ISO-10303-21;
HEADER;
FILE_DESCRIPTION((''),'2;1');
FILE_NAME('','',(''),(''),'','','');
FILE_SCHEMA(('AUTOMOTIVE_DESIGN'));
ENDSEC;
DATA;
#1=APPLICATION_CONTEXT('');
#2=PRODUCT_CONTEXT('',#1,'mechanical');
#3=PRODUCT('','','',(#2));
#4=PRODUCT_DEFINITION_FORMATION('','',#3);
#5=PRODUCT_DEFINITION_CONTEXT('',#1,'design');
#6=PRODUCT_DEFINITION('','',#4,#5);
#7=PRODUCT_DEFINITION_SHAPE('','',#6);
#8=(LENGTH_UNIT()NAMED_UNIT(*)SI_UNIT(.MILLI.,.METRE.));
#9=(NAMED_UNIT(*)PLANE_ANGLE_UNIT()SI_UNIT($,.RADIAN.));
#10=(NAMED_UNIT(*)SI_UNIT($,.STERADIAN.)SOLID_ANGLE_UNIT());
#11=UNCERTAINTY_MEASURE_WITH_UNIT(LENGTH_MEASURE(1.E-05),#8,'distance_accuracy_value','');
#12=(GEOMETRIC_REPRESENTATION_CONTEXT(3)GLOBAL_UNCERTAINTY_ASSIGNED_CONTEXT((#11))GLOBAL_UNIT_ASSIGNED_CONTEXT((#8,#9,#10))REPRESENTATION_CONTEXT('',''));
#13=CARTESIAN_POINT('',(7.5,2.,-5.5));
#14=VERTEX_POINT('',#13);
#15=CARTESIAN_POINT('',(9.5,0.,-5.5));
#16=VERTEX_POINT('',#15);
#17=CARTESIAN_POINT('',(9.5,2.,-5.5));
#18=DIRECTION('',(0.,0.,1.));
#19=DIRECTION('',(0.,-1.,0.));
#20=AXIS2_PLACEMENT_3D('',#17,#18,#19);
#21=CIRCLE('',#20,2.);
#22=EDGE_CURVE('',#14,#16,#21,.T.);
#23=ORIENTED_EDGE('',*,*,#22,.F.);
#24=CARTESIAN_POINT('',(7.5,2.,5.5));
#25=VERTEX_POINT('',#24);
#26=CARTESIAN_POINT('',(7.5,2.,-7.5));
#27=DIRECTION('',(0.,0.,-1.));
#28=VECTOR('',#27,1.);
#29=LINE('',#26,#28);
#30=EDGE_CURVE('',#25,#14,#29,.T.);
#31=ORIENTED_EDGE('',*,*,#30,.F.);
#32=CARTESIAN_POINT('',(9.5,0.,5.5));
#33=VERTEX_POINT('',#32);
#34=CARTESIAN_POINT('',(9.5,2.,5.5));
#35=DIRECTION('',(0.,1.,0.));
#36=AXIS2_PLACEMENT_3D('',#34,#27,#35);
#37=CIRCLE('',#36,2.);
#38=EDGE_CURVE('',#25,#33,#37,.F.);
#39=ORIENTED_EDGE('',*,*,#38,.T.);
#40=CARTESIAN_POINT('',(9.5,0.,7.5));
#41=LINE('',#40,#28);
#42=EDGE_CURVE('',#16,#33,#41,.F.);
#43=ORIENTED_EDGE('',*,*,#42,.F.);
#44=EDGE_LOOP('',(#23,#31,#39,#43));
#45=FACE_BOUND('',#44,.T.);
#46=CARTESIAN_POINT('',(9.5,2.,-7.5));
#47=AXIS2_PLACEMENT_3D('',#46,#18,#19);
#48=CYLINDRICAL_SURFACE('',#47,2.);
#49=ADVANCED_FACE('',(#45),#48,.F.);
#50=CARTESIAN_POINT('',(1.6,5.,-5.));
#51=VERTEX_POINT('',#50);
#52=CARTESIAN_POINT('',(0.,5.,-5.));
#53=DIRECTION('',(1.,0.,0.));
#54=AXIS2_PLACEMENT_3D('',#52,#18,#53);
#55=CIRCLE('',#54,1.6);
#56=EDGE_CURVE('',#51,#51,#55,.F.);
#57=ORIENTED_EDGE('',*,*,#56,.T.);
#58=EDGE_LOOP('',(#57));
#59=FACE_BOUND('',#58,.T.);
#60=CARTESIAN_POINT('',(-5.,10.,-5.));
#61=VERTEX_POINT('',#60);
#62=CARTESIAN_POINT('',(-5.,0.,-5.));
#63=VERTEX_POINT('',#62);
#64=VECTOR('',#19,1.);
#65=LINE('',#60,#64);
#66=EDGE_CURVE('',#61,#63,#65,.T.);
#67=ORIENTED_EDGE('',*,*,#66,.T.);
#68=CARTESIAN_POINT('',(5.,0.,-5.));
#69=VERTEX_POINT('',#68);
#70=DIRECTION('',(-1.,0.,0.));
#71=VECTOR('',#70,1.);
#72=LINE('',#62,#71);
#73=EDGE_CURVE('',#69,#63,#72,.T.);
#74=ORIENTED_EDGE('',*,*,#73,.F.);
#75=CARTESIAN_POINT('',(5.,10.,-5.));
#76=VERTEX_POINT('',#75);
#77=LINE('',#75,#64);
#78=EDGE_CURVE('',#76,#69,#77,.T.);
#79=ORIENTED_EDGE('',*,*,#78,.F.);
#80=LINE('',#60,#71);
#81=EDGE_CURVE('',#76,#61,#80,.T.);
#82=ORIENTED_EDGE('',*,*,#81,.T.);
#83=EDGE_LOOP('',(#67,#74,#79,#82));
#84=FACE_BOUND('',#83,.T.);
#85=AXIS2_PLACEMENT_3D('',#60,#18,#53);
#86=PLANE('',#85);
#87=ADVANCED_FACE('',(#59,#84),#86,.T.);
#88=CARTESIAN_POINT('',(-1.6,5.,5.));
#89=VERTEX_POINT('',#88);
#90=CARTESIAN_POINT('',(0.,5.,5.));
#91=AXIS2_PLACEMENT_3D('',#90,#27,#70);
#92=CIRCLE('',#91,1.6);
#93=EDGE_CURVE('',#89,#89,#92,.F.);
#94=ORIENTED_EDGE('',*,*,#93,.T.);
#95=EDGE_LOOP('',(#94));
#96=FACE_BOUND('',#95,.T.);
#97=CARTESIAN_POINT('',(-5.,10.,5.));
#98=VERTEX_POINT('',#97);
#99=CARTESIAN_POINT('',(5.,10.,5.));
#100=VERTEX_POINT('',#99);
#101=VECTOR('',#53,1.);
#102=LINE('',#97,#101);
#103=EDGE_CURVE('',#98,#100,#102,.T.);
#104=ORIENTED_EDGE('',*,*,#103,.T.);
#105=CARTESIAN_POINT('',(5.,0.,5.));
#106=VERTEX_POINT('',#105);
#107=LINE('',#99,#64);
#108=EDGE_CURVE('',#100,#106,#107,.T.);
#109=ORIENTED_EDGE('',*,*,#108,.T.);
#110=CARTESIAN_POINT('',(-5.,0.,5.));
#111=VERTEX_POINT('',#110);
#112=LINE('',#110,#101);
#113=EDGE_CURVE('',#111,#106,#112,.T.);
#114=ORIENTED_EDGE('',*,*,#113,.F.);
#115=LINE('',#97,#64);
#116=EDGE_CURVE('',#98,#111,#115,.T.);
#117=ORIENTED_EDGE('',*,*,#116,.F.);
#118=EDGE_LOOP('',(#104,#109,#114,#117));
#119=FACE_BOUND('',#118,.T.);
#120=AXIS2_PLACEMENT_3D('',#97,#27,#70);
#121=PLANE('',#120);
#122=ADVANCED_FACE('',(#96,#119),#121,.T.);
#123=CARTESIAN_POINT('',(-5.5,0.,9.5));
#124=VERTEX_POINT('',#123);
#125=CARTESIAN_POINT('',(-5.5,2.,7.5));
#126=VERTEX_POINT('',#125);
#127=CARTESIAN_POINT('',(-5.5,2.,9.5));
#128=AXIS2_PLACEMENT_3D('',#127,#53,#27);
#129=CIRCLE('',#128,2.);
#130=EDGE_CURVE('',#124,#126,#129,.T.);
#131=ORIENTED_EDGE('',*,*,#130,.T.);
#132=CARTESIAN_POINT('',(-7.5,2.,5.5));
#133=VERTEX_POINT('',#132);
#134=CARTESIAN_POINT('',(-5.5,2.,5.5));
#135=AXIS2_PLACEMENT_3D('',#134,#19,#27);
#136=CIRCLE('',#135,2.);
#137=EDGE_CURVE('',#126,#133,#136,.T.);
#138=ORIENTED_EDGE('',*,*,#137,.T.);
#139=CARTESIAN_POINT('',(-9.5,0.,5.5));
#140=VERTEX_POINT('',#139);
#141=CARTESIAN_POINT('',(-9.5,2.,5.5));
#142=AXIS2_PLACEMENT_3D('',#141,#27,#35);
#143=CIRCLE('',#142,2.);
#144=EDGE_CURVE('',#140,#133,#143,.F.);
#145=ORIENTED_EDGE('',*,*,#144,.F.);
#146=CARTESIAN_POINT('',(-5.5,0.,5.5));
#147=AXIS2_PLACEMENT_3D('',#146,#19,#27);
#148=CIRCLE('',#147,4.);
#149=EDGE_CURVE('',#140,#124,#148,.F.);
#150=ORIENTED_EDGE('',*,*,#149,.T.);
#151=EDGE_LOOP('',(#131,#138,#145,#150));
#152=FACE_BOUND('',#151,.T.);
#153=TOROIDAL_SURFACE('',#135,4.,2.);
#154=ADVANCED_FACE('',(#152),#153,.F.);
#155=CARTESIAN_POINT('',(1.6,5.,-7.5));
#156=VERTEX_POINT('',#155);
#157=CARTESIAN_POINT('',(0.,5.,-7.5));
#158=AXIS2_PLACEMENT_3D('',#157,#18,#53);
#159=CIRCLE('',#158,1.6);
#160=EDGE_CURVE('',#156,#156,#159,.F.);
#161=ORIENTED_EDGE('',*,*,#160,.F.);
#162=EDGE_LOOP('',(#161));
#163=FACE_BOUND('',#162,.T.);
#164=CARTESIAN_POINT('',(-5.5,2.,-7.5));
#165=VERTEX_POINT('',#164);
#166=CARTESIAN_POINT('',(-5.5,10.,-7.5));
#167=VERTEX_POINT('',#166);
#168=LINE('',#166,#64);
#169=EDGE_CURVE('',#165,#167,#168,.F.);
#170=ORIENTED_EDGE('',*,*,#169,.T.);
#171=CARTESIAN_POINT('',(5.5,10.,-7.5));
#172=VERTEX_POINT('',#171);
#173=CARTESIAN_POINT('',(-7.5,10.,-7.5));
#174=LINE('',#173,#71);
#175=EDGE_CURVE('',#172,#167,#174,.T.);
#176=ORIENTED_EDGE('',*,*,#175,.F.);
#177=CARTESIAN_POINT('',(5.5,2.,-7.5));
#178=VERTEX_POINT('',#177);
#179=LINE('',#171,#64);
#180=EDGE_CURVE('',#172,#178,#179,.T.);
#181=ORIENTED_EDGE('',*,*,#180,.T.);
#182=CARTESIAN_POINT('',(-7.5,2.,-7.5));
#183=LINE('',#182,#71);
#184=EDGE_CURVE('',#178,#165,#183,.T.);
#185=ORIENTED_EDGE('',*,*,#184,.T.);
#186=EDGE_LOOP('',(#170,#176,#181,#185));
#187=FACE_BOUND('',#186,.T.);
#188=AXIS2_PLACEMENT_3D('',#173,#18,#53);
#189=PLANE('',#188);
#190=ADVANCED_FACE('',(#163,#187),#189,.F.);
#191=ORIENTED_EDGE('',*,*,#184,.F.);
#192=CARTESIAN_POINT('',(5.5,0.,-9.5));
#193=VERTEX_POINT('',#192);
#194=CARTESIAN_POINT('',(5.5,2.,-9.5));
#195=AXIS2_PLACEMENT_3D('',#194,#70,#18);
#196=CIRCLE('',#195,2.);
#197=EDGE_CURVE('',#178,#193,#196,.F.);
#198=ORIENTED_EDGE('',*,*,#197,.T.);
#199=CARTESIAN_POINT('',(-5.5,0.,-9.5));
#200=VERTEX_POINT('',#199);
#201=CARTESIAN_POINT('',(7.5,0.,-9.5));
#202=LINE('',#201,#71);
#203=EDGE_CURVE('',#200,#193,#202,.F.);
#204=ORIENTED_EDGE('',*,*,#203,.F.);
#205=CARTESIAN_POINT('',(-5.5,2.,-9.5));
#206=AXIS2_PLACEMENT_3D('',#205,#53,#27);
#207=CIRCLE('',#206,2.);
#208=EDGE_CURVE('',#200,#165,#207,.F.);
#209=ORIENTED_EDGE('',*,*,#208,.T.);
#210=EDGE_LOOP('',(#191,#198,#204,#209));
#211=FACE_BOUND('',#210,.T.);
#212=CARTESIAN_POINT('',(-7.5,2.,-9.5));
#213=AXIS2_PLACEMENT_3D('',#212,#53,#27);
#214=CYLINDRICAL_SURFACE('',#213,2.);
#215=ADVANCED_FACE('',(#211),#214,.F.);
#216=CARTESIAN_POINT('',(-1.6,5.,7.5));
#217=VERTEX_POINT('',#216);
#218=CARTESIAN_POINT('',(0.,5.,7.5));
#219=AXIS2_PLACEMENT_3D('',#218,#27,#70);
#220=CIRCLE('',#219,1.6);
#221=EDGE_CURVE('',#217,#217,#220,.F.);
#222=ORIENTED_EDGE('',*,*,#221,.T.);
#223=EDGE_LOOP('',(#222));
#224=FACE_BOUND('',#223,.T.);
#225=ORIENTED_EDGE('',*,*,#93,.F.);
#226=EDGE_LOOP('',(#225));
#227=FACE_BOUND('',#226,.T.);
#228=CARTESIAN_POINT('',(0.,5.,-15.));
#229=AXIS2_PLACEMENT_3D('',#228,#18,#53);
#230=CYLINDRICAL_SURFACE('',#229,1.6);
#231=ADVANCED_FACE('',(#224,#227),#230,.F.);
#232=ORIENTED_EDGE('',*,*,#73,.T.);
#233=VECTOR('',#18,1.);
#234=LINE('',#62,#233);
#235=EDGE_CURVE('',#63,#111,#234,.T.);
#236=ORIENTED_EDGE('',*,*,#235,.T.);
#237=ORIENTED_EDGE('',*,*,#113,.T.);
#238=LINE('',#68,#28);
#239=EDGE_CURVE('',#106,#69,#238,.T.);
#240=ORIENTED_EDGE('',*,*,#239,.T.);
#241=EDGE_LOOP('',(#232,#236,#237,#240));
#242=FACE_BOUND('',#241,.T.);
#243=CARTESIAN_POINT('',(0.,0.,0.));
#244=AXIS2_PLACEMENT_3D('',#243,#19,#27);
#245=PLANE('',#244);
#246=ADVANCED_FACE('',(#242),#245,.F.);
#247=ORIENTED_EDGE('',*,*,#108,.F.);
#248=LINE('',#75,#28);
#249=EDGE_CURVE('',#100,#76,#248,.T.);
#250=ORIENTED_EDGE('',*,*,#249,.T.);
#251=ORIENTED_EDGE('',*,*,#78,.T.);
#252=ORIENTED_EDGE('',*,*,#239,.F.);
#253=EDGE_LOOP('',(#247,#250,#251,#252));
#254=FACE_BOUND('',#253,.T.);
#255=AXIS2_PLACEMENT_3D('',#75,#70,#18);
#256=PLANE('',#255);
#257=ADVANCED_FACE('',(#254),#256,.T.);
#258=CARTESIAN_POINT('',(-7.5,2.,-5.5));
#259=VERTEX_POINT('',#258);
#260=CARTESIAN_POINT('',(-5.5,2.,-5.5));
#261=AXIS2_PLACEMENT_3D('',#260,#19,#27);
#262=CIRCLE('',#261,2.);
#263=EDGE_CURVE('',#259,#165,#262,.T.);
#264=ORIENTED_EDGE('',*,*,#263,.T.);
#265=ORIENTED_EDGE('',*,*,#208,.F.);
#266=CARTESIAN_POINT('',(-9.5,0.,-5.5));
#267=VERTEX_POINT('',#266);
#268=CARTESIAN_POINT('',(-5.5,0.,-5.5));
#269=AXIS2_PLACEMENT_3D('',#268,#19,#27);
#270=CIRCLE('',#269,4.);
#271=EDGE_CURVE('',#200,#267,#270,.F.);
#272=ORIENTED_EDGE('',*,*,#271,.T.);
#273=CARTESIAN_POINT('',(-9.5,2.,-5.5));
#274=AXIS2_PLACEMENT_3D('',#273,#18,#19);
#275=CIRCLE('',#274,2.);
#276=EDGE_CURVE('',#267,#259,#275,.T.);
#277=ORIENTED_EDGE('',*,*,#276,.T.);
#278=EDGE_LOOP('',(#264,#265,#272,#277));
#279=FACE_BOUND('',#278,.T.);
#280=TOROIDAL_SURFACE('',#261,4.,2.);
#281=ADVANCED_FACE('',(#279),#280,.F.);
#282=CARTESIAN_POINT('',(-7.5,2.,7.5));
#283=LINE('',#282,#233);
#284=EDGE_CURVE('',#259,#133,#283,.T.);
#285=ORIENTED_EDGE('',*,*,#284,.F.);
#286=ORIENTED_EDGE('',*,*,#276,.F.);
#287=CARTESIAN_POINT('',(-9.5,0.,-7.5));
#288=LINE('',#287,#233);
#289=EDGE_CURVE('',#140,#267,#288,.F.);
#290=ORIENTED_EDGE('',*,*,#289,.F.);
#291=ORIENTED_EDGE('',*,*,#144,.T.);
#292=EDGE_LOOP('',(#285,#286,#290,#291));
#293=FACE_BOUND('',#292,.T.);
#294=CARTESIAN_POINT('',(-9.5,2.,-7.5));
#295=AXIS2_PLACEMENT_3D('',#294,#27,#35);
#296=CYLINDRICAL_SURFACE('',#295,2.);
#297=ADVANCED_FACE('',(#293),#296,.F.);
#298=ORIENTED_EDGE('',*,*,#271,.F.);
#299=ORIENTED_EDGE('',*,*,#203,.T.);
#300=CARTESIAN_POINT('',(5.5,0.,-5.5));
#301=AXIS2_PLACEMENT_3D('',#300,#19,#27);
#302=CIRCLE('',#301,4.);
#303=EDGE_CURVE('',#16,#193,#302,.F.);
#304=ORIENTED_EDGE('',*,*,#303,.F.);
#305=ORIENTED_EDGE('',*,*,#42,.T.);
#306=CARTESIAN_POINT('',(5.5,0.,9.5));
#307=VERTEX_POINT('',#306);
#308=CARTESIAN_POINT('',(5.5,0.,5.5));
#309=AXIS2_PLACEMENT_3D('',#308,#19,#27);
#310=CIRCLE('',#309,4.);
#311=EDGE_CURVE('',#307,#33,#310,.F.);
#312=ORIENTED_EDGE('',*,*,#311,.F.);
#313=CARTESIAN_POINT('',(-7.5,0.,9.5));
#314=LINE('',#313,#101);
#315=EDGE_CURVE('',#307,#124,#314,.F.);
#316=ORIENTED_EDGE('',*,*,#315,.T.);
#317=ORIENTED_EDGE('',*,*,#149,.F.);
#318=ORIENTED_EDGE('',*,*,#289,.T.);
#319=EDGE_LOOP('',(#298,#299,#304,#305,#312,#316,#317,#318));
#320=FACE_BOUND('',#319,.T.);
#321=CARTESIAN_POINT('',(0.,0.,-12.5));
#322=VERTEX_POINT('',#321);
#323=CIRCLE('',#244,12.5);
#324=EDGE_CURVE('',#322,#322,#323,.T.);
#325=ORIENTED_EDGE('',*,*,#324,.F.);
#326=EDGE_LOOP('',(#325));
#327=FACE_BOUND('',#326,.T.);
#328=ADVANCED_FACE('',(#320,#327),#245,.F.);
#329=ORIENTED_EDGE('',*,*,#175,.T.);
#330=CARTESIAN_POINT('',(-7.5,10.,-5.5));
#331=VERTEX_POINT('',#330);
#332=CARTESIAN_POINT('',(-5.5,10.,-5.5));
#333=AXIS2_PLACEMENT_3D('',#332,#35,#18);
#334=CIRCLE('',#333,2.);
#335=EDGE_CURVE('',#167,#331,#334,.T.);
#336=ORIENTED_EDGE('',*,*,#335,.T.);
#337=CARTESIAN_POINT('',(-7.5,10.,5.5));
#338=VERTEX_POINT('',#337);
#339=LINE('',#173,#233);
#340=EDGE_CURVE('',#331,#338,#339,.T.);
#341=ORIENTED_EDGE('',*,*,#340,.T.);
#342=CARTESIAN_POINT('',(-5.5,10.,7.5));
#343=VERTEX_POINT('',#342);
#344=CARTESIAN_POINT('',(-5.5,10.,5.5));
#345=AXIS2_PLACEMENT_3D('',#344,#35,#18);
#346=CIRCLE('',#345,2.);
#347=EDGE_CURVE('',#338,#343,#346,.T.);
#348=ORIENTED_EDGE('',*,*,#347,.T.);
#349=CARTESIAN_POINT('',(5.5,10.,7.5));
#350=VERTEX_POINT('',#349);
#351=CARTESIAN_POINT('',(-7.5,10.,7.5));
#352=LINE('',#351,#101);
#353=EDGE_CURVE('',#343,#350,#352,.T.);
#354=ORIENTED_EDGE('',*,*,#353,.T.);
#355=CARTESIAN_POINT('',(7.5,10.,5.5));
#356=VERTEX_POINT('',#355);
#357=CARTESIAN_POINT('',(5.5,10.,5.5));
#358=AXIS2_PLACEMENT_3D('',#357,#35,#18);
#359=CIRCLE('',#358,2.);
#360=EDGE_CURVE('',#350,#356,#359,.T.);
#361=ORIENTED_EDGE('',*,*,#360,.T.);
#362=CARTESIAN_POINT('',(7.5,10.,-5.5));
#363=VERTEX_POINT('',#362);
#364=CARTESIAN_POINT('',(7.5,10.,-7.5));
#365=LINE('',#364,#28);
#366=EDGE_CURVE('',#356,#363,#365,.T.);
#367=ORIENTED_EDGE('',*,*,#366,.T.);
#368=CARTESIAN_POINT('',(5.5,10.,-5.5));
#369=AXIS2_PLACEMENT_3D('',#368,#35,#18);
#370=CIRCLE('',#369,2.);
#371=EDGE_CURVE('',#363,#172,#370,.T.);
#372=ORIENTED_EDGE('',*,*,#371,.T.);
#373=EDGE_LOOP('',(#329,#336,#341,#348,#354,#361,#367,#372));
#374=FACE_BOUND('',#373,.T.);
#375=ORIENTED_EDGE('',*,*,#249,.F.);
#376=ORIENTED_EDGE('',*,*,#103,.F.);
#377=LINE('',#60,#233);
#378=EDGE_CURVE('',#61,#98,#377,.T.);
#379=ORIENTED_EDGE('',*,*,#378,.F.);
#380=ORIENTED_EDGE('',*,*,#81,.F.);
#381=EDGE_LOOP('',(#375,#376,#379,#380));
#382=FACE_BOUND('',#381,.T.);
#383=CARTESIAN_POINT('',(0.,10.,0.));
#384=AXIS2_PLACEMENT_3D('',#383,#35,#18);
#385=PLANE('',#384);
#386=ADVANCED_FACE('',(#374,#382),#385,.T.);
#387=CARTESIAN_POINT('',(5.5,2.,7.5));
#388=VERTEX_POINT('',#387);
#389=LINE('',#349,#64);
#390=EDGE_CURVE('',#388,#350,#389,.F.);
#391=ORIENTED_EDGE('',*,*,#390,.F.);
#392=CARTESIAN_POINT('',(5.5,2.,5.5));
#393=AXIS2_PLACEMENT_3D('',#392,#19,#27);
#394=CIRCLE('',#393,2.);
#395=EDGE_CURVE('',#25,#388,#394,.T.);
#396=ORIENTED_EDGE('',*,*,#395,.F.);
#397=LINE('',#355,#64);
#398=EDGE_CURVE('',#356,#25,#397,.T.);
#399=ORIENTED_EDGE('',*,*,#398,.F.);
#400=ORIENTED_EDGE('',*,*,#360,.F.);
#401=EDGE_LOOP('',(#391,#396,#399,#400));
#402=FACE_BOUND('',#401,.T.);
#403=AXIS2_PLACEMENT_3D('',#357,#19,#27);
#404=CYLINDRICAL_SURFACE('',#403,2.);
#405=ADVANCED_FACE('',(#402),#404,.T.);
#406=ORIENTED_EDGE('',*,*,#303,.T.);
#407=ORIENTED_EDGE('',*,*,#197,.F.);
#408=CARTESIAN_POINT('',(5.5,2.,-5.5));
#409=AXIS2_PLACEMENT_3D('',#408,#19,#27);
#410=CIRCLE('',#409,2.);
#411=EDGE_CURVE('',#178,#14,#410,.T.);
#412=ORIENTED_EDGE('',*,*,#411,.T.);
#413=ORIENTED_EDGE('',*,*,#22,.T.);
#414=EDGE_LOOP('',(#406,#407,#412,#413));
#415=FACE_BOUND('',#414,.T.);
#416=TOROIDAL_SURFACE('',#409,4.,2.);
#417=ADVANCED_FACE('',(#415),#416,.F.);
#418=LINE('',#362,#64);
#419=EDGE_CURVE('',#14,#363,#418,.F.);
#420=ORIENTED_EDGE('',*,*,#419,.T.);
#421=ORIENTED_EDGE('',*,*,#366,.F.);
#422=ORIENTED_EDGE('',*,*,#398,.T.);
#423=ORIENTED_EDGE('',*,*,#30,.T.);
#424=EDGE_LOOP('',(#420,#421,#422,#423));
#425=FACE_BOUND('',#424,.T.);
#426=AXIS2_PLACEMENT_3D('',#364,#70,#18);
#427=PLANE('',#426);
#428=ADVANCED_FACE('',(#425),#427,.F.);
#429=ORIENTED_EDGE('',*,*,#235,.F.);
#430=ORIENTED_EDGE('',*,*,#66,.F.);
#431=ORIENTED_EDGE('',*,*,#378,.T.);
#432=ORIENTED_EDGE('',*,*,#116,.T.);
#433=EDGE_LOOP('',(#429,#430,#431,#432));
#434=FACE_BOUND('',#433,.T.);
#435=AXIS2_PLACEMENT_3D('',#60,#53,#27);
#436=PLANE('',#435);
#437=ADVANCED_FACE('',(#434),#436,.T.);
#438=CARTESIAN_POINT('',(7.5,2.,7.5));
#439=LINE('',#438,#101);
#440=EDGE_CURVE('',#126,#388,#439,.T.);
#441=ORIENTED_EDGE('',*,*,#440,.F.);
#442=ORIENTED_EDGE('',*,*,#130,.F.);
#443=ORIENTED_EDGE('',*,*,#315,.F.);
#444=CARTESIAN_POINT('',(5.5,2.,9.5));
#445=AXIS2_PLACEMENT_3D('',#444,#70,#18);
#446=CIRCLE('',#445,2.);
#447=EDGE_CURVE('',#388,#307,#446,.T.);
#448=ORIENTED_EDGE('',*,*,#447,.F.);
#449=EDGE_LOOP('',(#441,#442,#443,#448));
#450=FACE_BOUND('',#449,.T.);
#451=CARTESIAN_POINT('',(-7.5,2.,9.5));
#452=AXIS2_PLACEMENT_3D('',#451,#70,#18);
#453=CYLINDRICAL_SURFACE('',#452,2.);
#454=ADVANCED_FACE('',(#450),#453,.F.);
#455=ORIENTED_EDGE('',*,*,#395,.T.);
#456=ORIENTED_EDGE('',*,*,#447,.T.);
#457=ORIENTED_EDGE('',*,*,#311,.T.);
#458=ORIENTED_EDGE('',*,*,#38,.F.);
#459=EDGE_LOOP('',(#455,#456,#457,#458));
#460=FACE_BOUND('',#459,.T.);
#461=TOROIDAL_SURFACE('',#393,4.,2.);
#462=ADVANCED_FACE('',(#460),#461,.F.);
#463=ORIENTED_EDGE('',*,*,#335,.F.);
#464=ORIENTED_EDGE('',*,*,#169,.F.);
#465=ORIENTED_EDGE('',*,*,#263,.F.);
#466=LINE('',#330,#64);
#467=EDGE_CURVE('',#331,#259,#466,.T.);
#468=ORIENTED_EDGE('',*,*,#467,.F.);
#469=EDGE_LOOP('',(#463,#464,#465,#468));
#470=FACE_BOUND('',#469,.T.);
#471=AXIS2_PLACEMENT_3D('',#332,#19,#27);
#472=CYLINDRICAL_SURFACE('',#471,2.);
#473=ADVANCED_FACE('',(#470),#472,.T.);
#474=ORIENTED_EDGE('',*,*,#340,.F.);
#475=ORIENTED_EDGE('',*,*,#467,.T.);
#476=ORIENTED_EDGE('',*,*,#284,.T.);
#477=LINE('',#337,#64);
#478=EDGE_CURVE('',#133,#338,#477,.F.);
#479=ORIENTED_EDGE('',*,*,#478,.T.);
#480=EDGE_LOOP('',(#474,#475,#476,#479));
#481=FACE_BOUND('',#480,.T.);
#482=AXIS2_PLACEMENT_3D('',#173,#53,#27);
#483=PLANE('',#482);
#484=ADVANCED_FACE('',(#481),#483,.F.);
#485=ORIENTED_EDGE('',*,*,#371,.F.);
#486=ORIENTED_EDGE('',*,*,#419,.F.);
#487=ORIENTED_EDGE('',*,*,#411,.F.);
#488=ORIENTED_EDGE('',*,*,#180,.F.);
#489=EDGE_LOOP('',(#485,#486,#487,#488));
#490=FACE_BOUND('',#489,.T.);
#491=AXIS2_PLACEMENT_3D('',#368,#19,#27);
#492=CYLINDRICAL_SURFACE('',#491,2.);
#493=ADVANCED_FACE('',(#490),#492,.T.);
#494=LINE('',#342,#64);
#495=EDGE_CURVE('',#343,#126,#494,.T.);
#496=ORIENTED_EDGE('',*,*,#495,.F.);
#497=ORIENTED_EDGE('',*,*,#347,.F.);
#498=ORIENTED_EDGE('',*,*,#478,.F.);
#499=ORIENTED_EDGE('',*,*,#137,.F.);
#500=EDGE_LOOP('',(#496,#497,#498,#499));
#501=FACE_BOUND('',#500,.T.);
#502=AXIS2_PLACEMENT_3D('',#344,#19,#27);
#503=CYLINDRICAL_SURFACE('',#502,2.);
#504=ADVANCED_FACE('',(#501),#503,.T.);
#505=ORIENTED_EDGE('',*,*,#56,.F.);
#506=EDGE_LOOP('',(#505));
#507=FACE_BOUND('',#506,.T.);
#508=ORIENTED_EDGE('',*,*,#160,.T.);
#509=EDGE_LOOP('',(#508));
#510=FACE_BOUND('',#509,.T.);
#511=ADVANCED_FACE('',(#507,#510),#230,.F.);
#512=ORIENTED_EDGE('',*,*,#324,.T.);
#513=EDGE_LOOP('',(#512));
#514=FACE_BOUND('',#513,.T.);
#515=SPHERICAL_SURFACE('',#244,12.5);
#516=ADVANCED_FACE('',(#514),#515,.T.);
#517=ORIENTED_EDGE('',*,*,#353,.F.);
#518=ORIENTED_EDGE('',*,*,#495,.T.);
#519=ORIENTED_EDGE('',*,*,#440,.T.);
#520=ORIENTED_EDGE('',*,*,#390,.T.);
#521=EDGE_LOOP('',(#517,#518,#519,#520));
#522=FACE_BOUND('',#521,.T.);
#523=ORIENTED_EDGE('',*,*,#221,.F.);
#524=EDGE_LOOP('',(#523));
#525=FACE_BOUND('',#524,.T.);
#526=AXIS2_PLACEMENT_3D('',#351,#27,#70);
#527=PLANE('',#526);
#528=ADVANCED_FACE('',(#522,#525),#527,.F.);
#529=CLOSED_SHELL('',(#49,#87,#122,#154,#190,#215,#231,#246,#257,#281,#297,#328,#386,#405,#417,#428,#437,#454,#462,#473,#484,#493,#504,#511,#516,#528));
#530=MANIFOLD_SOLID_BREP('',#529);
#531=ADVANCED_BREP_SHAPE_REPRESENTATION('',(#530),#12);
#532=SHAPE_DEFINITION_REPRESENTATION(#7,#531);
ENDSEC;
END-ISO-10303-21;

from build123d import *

# Parameters (mm, degrees)
REVOLVE2_ANGLE          = 180
SKETCH1_W               = 15
SKETCH1_H               = 15
SKETCH1_W_2             = 10
SKETCH1_H_2             = 10
BOSS_EXTRUDE1_DEPTH     = 10
SKETCH2_R               = 1.6
CUT_EXTRUDE1_DEPTH      = 20
CUT_EXTRUDE1_DEPTH_BACK = 10
FILLET1_R               = 2


with BuildPart() as part:
    # Sketch4 → Revolve2 (revolve)
    with BuildSketch(Plane(origin=(0, 0, 0), x_dir=(1, 0, 0), z_dir=(0, 1, 0))):
        with BuildLine():
            Line((12.5, 0), (-12.5, 0))
            ThreePointArc((-12.5, 0), (0, -12.5), (12.5, 0))
        make_face()
    revolve(axis=Axis((-12.5, 0, 0), (1, 0, 0)), revolution_arc=REVOLVE2_ANGLE)

    # Sketch1 → Boss-Extrude1 (add)
    with BuildSketch(Plane(origin=(0, 0, 0), x_dir=(1, 0, 0), z_dir=(0, 1, 0))):
        Rectangle(SKETCH1_W, SKETCH1_H)
        Rectangle(SKETCH1_W_2, SKETCH1_H_2, mode=Mode.SUBTRACT)
    extrude(amount=BOSS_EXTRUDE1_DEPTH)

    # Sketch2 → Cut-Extrude1 (cut, two sides)
    with BuildSketch(Plane(origin=(0, 0, 5), x_dir=(-1, 0, 0), z_dir=(0, 0, -1))) as cut_extrude1_sk:
        with Locations((0, 5)):
            Circle(SKETCH2_R)
    extrude(amount=CUT_EXTRUDE1_DEPTH, mode=Mode.SUBTRACT)
    extrude(cut_extrude1_sk.sketch, amount=-CUT_EXTRUDE1_DEPTH_BACK, mode=Mode.SUBTRACT)

    # Fillet1
    fillet1_edges = [part.edges().sort_by_distance(p)[0] for p in [
        (7.5, 0, 0),
        (7.5, 5, 7.5),
        (0, 0, -7.5),
        (7.5, 5, -7.5),
        (-7.5, 0, 0),
        (-7.5, 5, -7.5),
        (0, 0, 7.5),
        (-7.5, 5, 7.5),
    ]]
    fillet(fillet1_edges, radius=FILLET1_R)


solid = part.part
